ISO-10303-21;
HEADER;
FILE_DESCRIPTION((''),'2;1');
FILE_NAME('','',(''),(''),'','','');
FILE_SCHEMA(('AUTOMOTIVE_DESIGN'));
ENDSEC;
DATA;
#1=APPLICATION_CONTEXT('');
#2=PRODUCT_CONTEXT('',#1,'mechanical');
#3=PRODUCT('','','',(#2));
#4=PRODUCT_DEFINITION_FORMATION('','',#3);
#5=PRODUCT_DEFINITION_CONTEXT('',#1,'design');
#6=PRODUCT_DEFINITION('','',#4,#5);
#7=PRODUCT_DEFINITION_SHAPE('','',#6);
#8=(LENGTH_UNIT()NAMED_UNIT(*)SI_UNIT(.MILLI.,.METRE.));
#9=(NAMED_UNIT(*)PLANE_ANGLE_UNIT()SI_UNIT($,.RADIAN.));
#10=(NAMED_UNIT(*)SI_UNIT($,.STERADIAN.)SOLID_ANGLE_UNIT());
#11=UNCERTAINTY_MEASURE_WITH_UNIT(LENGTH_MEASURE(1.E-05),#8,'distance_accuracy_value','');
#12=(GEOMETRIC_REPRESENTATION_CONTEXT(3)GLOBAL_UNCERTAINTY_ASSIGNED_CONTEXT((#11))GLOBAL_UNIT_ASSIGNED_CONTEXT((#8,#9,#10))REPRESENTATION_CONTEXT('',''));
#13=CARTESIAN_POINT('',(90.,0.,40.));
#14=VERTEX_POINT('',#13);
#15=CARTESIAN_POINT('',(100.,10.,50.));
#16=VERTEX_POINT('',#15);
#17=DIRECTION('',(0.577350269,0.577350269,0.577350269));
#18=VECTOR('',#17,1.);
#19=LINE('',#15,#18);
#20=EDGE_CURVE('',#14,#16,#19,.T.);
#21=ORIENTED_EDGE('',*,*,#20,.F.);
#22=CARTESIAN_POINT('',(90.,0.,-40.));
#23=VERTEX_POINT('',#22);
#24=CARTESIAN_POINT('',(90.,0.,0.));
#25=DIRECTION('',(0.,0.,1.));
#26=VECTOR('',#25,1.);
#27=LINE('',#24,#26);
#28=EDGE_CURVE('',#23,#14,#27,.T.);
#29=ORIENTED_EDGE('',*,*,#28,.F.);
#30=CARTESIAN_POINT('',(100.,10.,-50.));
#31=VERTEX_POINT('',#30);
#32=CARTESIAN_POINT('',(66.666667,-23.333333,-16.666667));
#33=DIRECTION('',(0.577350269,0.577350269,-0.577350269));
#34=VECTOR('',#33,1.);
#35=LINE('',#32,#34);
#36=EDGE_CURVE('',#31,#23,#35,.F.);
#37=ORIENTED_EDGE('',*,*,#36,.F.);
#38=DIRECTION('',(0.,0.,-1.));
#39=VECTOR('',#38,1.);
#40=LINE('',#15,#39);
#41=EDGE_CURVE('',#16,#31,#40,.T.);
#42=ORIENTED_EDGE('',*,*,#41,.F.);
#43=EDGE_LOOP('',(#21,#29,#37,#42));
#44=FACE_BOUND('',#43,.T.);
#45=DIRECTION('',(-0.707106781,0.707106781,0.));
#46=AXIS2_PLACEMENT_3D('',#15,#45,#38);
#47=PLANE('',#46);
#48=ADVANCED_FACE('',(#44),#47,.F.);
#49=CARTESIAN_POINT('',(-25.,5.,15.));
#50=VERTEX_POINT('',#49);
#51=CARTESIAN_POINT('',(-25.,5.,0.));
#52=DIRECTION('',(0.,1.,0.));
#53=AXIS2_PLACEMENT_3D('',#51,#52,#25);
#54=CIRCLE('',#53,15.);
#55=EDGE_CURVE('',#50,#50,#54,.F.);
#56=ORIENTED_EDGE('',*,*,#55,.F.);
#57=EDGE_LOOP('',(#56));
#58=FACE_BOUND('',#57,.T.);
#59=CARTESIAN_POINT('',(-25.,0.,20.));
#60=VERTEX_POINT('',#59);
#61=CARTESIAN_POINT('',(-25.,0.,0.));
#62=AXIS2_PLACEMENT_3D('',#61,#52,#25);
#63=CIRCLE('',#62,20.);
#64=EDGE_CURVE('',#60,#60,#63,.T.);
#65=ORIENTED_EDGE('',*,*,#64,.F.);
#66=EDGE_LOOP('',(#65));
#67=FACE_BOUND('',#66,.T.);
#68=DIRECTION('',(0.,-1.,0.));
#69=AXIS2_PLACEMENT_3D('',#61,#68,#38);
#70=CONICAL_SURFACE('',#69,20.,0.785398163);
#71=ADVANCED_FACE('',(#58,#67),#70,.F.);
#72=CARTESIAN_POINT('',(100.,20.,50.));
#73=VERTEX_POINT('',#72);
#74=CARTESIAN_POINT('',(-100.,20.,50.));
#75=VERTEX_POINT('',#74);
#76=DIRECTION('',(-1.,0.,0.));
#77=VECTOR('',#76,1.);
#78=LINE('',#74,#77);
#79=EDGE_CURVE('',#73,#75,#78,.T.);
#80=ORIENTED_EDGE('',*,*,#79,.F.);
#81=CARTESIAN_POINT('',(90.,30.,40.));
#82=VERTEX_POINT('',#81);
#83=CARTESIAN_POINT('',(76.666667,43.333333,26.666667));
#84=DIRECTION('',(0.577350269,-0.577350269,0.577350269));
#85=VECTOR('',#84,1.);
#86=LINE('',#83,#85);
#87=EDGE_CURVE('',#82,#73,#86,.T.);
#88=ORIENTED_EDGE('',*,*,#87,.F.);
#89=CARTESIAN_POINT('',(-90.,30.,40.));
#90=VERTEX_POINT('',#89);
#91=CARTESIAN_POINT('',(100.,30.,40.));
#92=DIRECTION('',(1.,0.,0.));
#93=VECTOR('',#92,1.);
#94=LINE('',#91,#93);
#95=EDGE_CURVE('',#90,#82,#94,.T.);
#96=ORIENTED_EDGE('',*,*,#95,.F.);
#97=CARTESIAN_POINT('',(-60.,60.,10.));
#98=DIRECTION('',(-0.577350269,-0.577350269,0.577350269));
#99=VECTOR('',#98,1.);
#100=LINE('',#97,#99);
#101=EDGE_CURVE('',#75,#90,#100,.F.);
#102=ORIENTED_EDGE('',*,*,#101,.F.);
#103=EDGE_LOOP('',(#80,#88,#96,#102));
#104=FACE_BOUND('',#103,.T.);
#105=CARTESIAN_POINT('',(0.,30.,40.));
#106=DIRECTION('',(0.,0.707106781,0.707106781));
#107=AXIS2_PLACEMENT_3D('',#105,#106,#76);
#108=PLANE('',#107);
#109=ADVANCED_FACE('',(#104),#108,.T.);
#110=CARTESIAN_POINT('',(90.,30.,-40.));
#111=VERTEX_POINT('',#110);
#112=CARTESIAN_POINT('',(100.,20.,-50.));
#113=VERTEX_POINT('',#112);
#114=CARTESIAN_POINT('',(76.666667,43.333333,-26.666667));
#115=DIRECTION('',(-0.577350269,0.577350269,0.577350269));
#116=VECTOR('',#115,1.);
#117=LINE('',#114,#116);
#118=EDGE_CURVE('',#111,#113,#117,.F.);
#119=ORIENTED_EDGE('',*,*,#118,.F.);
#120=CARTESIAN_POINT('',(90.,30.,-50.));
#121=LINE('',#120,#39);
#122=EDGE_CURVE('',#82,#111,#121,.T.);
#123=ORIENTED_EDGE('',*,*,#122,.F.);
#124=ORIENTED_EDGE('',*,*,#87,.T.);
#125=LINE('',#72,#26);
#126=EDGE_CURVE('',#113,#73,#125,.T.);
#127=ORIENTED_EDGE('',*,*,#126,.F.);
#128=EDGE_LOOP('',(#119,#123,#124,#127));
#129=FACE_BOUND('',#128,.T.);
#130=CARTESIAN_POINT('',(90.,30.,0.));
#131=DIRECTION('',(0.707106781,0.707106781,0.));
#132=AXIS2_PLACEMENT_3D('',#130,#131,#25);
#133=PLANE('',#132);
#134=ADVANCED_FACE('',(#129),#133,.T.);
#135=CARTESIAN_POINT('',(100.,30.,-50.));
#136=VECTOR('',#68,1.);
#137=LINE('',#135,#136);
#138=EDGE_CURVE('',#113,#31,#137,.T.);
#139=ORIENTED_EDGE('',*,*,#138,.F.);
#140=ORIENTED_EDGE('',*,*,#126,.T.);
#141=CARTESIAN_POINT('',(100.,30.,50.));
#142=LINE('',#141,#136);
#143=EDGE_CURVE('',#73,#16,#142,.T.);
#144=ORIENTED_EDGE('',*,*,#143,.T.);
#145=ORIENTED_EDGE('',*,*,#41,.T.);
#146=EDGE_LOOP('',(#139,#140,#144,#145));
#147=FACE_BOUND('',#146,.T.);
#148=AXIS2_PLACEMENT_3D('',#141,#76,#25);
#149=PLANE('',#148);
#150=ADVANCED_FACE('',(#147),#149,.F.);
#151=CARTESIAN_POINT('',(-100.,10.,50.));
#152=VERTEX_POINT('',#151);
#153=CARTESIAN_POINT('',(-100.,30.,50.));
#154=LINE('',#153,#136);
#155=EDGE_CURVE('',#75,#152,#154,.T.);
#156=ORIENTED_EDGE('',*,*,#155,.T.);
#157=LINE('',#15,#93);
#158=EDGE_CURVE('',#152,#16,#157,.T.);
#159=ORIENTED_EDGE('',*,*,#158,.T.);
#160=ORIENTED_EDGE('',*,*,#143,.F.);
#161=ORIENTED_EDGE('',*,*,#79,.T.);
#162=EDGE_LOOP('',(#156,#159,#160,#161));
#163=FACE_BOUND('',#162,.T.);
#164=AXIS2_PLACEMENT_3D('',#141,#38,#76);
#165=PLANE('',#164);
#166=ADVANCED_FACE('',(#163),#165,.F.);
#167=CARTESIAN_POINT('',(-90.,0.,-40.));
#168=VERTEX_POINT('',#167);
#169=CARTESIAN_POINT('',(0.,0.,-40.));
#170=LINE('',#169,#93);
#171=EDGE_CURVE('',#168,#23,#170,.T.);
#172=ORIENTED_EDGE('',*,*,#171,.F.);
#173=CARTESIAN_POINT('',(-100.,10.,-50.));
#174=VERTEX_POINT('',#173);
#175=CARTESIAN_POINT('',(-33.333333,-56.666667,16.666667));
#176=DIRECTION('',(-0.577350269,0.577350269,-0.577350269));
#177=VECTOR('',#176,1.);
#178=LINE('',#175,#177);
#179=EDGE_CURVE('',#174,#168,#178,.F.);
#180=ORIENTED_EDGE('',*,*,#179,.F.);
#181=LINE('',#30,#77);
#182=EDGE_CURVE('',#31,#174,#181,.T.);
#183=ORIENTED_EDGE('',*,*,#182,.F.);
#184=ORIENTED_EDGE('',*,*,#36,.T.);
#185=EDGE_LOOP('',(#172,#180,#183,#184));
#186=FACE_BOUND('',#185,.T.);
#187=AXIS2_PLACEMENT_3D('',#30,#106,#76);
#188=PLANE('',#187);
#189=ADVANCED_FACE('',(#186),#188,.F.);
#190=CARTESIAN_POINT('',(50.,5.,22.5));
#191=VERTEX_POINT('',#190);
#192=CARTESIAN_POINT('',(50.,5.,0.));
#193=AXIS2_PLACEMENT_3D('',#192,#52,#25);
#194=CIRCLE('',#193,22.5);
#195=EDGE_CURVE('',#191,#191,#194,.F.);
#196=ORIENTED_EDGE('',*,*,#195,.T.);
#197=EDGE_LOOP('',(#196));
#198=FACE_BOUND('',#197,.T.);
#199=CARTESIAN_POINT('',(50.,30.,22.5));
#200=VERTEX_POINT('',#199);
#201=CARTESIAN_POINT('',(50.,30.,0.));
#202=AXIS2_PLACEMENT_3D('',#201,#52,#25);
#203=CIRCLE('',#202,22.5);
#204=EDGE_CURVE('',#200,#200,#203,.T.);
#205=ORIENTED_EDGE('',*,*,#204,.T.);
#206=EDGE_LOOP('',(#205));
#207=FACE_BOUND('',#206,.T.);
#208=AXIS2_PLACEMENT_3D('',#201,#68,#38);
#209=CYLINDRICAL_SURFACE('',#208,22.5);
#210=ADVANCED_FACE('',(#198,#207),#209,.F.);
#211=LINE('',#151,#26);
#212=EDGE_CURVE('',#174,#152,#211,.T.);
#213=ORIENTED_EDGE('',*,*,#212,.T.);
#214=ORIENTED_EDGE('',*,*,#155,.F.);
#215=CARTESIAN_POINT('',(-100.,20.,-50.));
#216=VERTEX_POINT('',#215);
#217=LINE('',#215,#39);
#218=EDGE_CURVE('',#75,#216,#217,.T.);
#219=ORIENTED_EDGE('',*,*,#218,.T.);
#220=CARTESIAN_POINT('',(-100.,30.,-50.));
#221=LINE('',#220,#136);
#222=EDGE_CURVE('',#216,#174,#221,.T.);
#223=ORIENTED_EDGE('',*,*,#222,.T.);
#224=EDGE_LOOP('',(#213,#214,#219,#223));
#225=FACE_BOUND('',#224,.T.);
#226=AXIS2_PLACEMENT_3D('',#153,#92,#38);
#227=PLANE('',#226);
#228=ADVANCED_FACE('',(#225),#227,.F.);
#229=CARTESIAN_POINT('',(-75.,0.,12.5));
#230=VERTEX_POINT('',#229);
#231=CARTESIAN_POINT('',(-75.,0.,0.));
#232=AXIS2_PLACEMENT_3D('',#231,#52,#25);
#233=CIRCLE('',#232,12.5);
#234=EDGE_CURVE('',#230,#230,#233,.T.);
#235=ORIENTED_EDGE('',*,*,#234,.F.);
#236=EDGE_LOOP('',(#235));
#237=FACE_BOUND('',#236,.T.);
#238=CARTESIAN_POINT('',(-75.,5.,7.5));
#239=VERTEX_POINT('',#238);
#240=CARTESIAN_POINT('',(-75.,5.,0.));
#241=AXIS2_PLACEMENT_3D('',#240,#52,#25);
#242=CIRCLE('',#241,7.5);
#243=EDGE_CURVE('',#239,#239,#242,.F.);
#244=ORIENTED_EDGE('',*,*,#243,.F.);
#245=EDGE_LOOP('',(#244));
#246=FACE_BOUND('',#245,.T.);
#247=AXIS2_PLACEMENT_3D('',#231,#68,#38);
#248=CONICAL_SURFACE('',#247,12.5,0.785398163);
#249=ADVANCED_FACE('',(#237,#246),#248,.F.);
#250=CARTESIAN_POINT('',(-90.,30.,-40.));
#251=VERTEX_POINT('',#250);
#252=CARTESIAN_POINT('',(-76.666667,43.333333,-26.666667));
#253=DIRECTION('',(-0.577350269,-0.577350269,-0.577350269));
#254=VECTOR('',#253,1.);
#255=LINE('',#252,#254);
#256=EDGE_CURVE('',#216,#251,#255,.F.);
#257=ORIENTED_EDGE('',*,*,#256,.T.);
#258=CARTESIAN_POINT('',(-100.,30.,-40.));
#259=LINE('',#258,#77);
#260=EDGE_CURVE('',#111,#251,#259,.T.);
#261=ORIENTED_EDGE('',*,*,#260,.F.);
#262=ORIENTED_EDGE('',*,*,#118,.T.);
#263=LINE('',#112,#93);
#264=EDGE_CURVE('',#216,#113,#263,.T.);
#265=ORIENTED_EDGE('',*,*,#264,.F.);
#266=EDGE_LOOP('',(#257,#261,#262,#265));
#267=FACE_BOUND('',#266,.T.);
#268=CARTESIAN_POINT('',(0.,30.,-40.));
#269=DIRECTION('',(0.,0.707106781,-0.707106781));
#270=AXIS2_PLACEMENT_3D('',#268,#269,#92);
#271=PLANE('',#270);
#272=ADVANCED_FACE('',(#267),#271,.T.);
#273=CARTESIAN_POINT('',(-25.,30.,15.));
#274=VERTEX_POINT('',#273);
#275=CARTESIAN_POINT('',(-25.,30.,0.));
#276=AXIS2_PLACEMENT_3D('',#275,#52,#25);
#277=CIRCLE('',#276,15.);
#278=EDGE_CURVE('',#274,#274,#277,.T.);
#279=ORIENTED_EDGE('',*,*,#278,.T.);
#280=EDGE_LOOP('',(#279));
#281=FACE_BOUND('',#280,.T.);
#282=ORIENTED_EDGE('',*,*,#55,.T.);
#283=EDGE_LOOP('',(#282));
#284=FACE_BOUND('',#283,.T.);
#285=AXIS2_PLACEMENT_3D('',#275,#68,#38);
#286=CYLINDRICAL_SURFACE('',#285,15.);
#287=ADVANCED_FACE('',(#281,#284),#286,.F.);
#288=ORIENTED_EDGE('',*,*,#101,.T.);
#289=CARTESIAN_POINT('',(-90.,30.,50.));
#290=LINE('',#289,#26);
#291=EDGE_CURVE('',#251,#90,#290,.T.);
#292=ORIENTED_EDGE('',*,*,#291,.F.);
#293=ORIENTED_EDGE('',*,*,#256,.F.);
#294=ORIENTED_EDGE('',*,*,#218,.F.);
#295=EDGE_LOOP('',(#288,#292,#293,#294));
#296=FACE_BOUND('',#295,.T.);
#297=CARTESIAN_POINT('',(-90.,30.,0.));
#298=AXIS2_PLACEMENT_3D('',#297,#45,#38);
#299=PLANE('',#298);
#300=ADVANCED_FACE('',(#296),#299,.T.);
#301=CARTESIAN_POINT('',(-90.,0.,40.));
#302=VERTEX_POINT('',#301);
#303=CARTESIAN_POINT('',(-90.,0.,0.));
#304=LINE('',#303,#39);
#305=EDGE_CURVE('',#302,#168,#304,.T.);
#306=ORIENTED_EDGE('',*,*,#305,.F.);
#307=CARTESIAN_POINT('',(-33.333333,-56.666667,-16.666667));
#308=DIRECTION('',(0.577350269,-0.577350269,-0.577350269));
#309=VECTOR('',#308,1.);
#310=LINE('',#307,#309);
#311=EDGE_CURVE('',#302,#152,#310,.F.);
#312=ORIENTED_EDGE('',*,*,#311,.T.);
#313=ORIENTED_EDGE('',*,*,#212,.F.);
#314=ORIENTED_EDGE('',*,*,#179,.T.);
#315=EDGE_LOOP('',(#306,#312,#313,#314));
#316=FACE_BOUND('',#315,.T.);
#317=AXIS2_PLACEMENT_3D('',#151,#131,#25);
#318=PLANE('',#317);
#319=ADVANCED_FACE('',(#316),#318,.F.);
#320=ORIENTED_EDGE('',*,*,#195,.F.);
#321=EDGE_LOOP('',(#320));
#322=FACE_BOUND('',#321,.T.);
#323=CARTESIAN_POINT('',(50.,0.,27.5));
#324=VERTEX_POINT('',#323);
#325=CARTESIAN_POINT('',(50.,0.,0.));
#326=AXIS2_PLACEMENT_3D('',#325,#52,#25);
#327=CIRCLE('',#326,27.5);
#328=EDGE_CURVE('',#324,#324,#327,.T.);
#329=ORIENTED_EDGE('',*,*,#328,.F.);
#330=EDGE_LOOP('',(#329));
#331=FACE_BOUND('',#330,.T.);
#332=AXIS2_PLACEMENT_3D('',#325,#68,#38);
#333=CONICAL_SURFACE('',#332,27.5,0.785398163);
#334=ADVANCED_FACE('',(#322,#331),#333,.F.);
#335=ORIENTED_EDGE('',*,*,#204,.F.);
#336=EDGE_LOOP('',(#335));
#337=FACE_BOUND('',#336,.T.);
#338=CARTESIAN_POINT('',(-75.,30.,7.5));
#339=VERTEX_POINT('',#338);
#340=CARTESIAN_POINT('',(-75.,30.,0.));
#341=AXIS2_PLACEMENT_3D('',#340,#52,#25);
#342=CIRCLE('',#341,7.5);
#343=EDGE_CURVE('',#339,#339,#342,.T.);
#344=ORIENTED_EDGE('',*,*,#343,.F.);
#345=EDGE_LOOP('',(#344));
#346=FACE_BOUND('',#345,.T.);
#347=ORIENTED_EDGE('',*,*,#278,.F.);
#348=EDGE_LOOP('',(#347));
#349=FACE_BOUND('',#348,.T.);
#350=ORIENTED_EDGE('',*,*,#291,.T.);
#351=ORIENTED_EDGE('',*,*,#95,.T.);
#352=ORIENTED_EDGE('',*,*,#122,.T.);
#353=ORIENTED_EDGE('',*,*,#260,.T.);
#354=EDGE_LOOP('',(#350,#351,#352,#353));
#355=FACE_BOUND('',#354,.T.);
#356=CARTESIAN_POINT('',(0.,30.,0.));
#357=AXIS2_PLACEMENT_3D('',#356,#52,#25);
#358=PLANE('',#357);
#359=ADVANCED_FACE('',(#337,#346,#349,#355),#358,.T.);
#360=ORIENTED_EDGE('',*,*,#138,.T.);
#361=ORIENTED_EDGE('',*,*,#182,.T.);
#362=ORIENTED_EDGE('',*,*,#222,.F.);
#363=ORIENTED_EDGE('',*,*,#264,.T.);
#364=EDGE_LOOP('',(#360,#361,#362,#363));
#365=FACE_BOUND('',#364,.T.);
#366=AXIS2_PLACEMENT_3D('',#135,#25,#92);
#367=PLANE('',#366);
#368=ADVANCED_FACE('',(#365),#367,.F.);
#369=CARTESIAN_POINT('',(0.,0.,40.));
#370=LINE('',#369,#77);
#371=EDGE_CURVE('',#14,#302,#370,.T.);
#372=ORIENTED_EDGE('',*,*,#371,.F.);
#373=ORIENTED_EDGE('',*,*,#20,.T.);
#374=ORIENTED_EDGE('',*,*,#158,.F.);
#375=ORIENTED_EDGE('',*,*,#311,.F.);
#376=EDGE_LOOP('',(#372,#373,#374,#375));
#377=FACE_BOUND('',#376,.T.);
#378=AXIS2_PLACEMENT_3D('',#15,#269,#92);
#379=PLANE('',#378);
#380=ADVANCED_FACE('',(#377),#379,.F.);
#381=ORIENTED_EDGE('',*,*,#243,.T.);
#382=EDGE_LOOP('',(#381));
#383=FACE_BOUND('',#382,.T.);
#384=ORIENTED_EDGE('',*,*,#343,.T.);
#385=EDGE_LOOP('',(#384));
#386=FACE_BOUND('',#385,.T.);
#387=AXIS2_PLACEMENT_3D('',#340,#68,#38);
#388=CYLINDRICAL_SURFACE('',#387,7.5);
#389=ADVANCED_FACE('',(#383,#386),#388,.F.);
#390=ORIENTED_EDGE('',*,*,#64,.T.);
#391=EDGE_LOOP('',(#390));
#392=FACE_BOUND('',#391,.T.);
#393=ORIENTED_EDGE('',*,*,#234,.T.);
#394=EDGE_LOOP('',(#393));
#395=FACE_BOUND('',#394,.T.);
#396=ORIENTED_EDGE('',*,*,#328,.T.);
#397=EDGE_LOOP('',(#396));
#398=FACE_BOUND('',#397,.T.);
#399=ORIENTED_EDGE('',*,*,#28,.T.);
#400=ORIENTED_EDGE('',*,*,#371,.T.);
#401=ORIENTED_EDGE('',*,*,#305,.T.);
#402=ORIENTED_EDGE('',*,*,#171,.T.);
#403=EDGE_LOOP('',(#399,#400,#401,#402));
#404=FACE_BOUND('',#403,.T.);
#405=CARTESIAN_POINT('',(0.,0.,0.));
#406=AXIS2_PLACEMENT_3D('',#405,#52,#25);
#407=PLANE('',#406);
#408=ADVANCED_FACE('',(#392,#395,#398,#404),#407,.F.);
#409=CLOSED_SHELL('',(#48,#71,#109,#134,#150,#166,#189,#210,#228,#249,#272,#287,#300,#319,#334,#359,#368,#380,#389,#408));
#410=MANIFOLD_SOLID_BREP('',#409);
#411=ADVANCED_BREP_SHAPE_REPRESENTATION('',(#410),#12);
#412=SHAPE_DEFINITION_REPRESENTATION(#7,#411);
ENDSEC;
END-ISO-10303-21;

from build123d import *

# Parameters (mm, degrees)
SKETCH1_W           = 200
SKETCH1_H           = 100
SKETCH1_R           = 7.5
SKETCH1_R_2         = 15
SKETCH1_R_3         = 22.5
BOSS_EXTRUDE2_DEPTH = 30
CHAMFER1_SIZE       = 10
CHAMFER4_SIZE       = 5
CHAMFER5_SIZE       = 10


with BuildPart() as part:
    # Sketch1 → Boss-Extrude2 (new body)
    with BuildSketch(Plane(origin=(0, 0, 0), x_dir=(1, 0, 0), z_dir=(0, 1, 0))):
        Rectangle(SKETCH1_W, SKETCH1_H)
        with Locations((-75, 0)):
            Circle(SKETCH1_R, mode=Mode.SUBTRACT)
        with Locations((-25, 0)):
            Circle(SKETCH1_R_2, mode=Mode.SUBTRACT)
        with Locations((50, 0)):
            Circle(SKETCH1_R_3, mode=Mode.SUBTRACT)
    extrude(amount=BOSS_EXTRUDE2_DEPTH)

    # Chamfer1
    chamfer1_edges = [part.edges().sort_by_distance(p)[0] for p in [
        (100, 30, 0),
        (0, 30, -50),
        (-100, 30, 0),
        (0, 30, 50),
    ]]
    chamfer(chamfer1_edges, length=CHAMFER1_SIZE)

    # Chamfer4
    chamfer4_edges = [part.edges().sort_by_distance(p)[0] for p in [
        (-40, 0, 0),
        (-82.5, 0, 0),
        (27.5, 0, 0),
    ]]
    chamfer(chamfer4_edges, length=CHAMFER4_SIZE)

    # Chamfer5
    chamfer5_edges = [part.edges().sort_by_distance(p)[0] for p in [
        (0, 0, -50),
        (100, 0, 0),
        (0, 0, 50),
        (-100, 0, 0),
    ]]
    chamfer(chamfer5_edges, length=CHAMFER5_SIZE)


solid = part.part
